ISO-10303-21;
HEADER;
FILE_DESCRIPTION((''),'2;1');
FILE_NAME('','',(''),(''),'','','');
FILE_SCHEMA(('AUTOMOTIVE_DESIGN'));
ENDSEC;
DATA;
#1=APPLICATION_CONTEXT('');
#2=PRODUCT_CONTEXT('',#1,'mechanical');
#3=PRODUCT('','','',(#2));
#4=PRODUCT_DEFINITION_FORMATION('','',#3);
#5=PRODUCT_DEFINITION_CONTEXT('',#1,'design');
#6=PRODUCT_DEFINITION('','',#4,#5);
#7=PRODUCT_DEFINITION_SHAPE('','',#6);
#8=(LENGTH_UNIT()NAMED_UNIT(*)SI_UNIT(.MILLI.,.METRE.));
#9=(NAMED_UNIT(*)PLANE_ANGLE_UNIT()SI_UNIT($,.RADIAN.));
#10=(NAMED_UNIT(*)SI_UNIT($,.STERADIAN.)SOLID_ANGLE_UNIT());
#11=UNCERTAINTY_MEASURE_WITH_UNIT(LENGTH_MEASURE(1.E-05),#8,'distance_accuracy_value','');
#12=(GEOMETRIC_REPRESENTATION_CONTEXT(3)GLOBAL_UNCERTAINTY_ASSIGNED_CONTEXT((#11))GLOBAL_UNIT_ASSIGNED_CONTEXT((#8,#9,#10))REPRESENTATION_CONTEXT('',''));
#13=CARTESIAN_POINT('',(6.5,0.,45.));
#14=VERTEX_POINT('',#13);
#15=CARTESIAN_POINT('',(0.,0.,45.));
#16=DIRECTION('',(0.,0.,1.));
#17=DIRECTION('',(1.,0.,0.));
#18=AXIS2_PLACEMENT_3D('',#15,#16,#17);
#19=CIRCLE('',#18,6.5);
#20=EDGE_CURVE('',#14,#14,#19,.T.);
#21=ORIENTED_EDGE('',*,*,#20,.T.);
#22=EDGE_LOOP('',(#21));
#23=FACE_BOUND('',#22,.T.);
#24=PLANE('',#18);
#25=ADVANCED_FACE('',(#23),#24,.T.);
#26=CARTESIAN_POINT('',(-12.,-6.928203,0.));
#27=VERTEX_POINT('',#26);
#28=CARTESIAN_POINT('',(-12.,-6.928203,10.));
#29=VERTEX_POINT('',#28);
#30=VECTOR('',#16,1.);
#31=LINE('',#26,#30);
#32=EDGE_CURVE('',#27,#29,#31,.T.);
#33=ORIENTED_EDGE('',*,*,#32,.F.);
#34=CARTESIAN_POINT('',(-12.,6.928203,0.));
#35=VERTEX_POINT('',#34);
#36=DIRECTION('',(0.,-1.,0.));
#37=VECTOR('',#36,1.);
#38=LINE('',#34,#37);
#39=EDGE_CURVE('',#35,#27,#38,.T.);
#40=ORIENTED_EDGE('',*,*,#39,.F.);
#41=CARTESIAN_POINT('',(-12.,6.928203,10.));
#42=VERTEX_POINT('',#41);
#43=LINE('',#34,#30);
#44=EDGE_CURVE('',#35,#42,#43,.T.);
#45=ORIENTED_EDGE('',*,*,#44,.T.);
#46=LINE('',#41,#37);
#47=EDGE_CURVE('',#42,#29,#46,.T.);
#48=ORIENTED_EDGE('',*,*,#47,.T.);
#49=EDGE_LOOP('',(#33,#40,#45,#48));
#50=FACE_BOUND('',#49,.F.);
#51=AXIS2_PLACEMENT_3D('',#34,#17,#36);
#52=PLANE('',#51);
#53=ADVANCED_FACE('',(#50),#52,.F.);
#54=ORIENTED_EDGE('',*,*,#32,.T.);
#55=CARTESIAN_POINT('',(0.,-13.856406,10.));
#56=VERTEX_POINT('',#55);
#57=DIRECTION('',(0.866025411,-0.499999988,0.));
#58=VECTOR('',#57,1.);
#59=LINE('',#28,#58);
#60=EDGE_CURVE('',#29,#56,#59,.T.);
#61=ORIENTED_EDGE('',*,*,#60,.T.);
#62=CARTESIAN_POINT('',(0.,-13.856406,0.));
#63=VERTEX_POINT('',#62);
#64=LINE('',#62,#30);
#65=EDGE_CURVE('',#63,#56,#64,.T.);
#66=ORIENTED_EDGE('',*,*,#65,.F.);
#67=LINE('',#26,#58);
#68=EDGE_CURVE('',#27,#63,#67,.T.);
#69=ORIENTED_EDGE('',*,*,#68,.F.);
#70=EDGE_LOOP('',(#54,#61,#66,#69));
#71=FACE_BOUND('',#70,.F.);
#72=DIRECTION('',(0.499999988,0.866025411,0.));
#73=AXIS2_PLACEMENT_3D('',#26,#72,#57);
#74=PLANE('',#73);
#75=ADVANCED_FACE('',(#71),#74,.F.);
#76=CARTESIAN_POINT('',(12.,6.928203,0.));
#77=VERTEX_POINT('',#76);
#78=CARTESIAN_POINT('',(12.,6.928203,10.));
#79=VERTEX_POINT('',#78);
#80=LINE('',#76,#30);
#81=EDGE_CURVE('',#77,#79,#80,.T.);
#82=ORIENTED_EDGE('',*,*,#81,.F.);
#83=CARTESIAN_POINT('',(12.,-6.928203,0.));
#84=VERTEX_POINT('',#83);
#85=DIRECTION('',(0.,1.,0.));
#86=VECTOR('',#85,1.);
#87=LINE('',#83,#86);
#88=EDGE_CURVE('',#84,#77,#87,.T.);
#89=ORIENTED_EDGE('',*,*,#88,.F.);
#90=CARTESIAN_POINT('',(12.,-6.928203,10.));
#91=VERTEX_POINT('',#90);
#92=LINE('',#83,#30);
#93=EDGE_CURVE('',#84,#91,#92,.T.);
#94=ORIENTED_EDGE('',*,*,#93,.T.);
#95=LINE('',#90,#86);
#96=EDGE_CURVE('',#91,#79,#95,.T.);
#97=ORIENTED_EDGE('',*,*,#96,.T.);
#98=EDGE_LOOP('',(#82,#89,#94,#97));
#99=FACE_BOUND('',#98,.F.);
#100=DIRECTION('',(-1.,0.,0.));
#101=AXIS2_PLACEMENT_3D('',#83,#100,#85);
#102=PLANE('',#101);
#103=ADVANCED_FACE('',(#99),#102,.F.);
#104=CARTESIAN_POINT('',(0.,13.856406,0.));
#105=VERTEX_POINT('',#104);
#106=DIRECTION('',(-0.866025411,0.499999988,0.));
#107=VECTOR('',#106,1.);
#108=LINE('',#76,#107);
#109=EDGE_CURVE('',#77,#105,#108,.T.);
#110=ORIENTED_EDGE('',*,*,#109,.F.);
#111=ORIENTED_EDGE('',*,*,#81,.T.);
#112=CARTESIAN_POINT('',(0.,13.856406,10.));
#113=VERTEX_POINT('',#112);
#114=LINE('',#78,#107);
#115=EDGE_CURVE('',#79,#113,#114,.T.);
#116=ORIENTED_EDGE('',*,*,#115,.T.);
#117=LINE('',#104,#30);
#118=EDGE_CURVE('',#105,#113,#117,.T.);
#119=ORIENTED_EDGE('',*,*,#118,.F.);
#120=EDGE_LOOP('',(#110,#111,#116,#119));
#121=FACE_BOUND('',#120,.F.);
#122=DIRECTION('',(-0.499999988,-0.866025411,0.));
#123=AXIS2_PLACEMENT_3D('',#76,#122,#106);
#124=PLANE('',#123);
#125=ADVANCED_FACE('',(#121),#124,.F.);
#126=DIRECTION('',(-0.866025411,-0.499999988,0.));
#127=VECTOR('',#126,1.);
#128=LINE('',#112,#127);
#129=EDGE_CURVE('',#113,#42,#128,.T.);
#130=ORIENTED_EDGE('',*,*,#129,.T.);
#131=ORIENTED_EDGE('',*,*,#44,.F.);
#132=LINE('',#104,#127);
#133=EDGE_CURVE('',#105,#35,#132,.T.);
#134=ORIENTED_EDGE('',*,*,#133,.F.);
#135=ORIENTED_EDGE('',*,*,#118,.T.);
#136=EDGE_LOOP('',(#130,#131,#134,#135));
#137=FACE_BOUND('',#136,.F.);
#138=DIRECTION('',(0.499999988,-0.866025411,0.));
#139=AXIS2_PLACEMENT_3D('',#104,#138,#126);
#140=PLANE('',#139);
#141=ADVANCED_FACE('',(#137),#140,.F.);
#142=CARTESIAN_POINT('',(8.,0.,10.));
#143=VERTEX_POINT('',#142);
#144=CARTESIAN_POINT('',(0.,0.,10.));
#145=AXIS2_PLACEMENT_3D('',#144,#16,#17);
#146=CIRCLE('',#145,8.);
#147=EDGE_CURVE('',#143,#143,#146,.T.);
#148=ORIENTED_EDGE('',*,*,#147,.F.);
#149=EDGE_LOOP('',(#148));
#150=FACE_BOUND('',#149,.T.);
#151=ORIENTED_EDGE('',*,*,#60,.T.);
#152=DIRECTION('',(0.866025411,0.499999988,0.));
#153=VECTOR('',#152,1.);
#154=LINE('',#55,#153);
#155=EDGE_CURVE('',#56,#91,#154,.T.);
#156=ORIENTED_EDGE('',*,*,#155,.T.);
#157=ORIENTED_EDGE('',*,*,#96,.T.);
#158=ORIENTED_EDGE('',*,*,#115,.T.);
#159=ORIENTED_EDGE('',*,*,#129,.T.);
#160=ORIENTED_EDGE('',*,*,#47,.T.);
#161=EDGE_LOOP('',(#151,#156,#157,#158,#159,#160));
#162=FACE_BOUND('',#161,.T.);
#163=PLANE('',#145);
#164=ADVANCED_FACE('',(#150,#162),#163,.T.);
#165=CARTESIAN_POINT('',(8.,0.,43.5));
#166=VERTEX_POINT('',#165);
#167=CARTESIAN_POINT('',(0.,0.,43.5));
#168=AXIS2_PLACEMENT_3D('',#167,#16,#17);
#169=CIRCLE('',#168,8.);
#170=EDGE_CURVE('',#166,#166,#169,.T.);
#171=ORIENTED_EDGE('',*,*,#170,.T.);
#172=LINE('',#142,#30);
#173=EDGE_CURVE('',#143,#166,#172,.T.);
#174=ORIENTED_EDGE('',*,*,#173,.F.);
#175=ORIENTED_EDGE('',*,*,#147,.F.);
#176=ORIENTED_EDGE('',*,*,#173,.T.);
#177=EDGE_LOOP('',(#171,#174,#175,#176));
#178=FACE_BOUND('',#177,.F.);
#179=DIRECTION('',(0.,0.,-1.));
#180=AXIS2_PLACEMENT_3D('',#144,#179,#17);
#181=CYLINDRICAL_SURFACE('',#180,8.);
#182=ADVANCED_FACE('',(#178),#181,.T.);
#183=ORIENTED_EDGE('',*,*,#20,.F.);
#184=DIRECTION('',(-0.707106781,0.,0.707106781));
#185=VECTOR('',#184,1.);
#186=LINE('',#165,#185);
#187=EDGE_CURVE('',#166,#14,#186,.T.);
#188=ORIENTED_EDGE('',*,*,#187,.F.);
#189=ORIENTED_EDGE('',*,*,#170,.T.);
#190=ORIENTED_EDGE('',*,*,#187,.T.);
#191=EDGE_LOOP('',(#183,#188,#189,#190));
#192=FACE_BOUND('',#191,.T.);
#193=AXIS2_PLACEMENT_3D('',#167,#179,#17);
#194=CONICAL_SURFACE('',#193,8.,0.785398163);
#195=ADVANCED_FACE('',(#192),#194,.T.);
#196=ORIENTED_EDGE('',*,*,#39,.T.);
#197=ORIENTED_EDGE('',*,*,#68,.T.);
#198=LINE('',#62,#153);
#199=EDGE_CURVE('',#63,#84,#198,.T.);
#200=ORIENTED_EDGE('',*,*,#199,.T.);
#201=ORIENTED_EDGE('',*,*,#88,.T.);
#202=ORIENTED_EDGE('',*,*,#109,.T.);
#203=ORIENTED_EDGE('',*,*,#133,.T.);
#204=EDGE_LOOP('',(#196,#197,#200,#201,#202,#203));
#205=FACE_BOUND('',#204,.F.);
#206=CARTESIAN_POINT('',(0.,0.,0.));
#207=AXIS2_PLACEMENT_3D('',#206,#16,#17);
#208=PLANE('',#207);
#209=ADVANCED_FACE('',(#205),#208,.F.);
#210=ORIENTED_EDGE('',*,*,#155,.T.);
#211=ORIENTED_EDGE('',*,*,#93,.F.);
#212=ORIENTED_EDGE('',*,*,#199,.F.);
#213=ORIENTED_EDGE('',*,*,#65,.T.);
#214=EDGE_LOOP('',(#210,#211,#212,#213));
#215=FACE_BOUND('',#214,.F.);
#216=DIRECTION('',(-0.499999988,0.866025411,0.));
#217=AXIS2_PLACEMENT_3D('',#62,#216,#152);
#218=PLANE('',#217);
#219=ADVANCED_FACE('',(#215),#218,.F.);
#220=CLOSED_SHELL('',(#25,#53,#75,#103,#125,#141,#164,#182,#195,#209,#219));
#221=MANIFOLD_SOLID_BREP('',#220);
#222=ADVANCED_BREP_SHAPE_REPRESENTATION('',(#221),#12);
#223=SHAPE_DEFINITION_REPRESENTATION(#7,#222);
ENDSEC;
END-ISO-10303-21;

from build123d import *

# Parameters (mm, degrees)
F1_DEPTH = 10
F2_R     = 8
F3_DEPTH = 35
F4_SIZE  = 1.5


with BuildPart() as f1:
    # F0 (on Top) → F1 (new body)
    with BuildSketch(Plane.XY):
        Polygon((12, -6.928203), (12, 6.928203), (0, 13.856406), (-12, 6.928203), (-12, -6.928203), (0, -13.856406), align=None)
    extrude(amount=F1_DEPTH)

    # F2 (on face) → F3 (join)
    with BuildSketch(Plane.XY.offset(10)):
        Circle(F2_R)
    extrude(amount=F3_DEPTH)

    # F4
    f4_edges = [f1.edges().sort_by_distance(p)[0] for p in [
        (-8, 0, 45),
    ]]
    chamfer(f4_edges, length=F4_SIZE)


solid = f1.part
